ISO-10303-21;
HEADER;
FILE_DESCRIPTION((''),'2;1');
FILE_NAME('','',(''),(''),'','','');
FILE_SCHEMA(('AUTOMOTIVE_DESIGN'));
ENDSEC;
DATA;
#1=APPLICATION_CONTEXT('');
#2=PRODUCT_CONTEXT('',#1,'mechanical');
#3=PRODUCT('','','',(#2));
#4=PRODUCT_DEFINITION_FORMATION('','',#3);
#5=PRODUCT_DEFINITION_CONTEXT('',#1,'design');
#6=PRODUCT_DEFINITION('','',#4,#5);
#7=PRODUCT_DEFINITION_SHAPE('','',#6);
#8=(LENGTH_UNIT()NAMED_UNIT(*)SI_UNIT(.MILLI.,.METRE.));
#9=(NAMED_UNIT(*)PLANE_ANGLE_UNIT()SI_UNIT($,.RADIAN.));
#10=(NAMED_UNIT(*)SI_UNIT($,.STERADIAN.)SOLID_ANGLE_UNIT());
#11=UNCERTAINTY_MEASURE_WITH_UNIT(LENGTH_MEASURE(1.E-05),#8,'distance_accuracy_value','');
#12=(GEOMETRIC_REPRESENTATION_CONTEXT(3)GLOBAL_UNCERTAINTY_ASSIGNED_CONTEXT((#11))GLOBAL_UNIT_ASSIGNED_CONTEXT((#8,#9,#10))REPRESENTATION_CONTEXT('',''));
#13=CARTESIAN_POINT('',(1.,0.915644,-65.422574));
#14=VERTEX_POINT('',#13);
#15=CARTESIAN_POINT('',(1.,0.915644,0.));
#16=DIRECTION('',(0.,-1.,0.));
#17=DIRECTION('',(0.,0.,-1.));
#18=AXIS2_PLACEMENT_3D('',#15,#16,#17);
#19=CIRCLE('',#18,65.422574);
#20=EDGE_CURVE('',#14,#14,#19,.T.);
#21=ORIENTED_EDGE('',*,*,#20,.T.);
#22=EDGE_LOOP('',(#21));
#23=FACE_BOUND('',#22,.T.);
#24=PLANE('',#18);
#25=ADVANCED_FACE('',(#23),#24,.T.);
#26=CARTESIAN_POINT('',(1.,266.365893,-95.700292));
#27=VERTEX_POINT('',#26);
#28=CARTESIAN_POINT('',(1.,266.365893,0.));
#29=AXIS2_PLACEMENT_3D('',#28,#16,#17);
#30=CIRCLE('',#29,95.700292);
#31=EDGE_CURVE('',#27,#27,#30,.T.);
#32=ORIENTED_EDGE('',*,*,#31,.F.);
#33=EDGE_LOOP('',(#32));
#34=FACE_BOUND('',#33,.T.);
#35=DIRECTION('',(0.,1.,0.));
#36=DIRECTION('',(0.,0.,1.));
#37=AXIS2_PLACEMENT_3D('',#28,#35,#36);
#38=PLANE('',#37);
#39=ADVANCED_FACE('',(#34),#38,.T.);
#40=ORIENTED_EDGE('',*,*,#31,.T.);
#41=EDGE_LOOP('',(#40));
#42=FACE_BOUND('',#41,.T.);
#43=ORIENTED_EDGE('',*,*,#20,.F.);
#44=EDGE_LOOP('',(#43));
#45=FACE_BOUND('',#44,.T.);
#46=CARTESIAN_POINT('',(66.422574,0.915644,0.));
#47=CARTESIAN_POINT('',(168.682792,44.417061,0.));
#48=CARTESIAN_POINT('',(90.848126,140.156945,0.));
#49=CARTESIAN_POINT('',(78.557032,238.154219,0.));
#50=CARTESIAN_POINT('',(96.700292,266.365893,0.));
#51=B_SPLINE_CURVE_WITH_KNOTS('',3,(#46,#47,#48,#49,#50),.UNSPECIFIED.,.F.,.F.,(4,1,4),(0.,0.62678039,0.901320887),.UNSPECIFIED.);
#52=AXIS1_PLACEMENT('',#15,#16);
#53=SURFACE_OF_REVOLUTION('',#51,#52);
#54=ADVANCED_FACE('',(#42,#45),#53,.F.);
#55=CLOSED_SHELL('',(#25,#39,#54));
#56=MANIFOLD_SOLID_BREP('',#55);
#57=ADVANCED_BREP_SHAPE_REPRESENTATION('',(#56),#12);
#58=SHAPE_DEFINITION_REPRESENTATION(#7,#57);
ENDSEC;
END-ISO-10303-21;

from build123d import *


with BuildPart() as part:
    # Çizim1 → Döndür1 (revolve)
    with BuildSketch(Plane.XY):
        with BuildLine():
            Line((1.000000225, 0.915643792), (66.422574233, 0.915643792))
            add(Edge.make_bspline(
                [(66.422574233, 0.915643792), (168.682792451, 44.417061322), (90.848126079, 140.156944838), (78.557032477, 238.154218937), (96.700291764, 266.365893382)],
                knots=[0, 0, 0, 0, 0.62678039, 0.901320887, 0.901320887, 0.901320887, 0.901320887], degree=3))
            Line((96.700291764, 266.365893382), (1.000000225, 266.365893382))
            Line((1.000000225, 266.365893382), (1.000000225, 0.915643792))
        make_face()
    revolve(axis=Axis((1.000000225, 0.915643792, 0), (0, 1, 0)))


solid = part.part
